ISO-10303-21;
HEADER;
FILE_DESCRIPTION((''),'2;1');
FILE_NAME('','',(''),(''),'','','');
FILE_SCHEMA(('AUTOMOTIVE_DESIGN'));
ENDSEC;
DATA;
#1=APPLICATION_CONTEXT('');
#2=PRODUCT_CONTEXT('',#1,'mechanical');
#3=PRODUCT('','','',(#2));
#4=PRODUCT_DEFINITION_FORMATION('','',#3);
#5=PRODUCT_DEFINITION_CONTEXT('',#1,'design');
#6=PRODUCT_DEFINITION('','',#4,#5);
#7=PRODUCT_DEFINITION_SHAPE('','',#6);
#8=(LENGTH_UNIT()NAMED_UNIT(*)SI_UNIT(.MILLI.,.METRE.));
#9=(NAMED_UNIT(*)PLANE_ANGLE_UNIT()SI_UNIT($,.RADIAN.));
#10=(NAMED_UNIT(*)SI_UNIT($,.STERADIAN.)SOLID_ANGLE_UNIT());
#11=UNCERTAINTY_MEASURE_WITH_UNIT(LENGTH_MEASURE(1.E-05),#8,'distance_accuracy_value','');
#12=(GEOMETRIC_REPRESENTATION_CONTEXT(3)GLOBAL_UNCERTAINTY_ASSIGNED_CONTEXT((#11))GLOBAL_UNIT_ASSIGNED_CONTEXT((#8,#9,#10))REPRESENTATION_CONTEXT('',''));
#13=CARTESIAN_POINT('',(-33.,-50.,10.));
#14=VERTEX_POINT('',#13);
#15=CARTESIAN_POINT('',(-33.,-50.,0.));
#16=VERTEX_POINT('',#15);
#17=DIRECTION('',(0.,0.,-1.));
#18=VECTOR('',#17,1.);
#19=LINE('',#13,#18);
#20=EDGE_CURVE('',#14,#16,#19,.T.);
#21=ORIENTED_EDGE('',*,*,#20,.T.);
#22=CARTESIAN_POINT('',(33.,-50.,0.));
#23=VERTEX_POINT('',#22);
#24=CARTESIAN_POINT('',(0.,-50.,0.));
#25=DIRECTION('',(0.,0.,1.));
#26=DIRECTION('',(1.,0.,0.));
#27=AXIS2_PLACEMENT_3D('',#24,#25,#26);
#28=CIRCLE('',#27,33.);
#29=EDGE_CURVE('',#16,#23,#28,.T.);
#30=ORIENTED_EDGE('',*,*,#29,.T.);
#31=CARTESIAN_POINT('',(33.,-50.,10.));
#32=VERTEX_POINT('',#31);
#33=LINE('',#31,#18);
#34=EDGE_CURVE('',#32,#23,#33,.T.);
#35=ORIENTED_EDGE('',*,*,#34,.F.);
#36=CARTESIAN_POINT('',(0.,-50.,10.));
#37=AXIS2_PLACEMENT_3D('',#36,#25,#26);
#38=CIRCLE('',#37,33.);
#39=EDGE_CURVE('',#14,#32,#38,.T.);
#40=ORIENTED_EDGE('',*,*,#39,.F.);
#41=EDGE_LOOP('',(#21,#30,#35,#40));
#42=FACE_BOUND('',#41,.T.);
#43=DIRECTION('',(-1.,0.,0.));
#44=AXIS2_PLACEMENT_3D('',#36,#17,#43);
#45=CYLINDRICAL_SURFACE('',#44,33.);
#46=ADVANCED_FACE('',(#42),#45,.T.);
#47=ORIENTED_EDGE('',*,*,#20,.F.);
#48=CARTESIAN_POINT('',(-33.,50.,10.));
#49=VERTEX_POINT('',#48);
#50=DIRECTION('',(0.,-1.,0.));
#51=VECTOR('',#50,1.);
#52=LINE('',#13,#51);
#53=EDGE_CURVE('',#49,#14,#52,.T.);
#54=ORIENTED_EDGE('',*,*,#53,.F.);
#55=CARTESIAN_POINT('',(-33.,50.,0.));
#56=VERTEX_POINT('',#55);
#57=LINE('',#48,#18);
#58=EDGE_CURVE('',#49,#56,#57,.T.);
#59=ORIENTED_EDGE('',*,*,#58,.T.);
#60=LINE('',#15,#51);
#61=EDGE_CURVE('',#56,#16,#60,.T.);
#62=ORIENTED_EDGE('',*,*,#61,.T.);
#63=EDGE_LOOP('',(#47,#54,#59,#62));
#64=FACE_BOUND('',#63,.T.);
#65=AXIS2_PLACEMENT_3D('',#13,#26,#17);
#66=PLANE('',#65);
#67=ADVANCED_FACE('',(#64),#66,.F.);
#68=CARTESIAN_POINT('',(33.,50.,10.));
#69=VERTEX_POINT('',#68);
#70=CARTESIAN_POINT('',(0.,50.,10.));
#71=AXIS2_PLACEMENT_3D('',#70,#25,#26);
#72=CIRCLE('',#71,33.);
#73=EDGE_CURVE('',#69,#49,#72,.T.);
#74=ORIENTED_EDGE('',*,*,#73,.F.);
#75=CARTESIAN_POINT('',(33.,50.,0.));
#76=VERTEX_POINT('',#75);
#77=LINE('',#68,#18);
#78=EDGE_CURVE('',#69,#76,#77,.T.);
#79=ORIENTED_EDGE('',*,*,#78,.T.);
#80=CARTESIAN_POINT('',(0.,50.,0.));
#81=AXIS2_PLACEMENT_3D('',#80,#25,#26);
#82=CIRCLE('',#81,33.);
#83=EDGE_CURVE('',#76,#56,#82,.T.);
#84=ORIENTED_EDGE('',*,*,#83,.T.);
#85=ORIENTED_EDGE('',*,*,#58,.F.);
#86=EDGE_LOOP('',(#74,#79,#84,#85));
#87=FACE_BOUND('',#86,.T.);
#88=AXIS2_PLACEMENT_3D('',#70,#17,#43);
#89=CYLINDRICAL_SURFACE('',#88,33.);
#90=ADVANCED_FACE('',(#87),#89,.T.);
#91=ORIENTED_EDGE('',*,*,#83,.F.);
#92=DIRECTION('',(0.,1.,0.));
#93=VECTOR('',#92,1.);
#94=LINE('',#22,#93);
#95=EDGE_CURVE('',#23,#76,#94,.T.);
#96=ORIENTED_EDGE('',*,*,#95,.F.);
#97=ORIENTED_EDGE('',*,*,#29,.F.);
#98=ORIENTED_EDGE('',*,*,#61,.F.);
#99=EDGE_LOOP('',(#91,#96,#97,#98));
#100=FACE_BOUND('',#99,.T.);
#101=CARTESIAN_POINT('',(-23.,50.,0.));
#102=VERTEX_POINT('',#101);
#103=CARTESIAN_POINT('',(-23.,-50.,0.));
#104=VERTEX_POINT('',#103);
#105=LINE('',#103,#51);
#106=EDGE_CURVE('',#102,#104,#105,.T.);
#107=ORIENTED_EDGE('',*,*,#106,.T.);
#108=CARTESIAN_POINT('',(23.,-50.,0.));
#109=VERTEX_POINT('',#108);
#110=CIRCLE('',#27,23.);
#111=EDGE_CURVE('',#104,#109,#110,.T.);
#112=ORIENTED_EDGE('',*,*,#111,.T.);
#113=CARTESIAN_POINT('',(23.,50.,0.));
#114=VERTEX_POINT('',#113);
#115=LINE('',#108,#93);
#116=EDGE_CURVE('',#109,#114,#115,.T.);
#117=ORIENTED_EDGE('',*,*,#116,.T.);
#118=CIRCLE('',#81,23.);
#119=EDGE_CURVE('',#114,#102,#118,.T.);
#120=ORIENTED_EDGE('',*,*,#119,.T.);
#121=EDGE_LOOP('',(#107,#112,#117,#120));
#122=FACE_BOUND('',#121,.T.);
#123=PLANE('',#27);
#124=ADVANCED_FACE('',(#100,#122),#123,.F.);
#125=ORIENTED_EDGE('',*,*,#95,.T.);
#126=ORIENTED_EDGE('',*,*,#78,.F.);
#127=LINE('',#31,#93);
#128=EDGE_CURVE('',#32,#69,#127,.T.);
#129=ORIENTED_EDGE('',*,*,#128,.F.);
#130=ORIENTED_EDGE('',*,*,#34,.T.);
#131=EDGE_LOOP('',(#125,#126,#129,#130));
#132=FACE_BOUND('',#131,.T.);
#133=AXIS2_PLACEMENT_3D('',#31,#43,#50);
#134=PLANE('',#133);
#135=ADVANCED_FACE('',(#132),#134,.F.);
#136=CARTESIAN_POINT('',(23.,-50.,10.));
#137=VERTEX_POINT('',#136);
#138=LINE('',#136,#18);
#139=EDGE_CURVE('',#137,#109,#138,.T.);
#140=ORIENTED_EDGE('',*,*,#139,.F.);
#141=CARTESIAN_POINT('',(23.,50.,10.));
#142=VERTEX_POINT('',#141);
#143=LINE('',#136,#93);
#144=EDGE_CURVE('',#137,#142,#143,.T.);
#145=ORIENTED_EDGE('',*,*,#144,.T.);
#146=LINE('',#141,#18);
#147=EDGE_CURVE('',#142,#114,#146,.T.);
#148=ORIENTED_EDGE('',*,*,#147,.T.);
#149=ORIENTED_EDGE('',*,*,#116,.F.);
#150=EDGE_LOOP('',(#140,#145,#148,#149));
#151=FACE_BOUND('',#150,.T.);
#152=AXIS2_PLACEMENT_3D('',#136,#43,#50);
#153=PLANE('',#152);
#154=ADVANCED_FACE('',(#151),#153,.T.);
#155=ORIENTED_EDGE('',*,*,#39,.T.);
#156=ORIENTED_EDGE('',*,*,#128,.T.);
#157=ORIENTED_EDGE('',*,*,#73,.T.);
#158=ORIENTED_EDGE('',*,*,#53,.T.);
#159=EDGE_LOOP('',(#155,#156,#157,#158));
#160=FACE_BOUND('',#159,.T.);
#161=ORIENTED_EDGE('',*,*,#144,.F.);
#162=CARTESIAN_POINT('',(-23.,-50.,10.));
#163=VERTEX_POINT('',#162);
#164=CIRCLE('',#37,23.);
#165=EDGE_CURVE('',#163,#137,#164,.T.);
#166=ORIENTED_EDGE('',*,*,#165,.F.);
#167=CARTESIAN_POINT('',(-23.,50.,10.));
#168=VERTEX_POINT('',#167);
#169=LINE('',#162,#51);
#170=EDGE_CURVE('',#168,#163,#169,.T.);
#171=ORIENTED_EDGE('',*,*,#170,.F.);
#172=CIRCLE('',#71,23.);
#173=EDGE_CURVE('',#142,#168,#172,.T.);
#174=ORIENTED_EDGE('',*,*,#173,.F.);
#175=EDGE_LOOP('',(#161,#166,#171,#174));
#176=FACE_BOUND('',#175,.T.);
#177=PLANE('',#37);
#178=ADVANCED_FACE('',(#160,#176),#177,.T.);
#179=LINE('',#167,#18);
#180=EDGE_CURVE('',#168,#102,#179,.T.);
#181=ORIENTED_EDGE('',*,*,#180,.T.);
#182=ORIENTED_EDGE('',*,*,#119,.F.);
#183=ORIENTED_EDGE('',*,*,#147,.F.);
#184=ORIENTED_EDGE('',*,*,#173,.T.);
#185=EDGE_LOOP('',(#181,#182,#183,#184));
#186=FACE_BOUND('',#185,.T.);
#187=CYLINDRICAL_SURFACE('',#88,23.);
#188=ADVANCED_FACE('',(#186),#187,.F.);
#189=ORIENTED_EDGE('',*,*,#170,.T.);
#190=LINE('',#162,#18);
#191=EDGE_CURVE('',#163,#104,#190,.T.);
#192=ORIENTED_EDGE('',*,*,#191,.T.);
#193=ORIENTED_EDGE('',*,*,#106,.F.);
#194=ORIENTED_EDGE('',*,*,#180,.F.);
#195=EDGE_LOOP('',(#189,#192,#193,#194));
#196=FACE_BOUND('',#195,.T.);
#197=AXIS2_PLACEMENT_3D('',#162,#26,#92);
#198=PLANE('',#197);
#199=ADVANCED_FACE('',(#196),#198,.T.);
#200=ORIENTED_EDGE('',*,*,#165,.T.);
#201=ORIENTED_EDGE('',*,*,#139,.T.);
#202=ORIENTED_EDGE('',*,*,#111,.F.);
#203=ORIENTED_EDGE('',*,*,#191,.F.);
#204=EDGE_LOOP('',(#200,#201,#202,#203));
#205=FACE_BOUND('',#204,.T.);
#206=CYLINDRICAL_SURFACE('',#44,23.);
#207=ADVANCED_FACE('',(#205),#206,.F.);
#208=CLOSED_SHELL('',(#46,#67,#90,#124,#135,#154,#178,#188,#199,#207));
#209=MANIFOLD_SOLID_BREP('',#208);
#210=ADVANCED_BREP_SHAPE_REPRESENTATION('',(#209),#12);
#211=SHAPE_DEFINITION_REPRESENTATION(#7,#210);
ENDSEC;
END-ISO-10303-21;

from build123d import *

# Parameters (mm, degrees)
EXTRUDE_1_DEPTH = 10


with BuildPart() as part:
    # 草图1 → 凸台-拉伸1 (new body)
    with BuildSketch(Plane.XY):
        with BuildLine():
            Line((-33, -50), (-33, 50))
            ThreePointArc((-33, 50), (0, 83), (33, 50))
            Line((33, 50), (33, -50))
            ThreePointArc((33, -50), (0, -83), (-33, -50))
        make_face()
        with BuildLine():
            Line((-23, -50), (-23, 50))
            ThreePointArc((-23, 50), (0, 73), (23, 50))
            Line((23, 50), (23, -50))
            ThreePointArc((23, -50), (0, -73), (-23, -50))
        make_face(mode=Mode.SUBTRACT)
    extrude(amount=EXTRUDE_1_DEPTH)


solid = part.part
